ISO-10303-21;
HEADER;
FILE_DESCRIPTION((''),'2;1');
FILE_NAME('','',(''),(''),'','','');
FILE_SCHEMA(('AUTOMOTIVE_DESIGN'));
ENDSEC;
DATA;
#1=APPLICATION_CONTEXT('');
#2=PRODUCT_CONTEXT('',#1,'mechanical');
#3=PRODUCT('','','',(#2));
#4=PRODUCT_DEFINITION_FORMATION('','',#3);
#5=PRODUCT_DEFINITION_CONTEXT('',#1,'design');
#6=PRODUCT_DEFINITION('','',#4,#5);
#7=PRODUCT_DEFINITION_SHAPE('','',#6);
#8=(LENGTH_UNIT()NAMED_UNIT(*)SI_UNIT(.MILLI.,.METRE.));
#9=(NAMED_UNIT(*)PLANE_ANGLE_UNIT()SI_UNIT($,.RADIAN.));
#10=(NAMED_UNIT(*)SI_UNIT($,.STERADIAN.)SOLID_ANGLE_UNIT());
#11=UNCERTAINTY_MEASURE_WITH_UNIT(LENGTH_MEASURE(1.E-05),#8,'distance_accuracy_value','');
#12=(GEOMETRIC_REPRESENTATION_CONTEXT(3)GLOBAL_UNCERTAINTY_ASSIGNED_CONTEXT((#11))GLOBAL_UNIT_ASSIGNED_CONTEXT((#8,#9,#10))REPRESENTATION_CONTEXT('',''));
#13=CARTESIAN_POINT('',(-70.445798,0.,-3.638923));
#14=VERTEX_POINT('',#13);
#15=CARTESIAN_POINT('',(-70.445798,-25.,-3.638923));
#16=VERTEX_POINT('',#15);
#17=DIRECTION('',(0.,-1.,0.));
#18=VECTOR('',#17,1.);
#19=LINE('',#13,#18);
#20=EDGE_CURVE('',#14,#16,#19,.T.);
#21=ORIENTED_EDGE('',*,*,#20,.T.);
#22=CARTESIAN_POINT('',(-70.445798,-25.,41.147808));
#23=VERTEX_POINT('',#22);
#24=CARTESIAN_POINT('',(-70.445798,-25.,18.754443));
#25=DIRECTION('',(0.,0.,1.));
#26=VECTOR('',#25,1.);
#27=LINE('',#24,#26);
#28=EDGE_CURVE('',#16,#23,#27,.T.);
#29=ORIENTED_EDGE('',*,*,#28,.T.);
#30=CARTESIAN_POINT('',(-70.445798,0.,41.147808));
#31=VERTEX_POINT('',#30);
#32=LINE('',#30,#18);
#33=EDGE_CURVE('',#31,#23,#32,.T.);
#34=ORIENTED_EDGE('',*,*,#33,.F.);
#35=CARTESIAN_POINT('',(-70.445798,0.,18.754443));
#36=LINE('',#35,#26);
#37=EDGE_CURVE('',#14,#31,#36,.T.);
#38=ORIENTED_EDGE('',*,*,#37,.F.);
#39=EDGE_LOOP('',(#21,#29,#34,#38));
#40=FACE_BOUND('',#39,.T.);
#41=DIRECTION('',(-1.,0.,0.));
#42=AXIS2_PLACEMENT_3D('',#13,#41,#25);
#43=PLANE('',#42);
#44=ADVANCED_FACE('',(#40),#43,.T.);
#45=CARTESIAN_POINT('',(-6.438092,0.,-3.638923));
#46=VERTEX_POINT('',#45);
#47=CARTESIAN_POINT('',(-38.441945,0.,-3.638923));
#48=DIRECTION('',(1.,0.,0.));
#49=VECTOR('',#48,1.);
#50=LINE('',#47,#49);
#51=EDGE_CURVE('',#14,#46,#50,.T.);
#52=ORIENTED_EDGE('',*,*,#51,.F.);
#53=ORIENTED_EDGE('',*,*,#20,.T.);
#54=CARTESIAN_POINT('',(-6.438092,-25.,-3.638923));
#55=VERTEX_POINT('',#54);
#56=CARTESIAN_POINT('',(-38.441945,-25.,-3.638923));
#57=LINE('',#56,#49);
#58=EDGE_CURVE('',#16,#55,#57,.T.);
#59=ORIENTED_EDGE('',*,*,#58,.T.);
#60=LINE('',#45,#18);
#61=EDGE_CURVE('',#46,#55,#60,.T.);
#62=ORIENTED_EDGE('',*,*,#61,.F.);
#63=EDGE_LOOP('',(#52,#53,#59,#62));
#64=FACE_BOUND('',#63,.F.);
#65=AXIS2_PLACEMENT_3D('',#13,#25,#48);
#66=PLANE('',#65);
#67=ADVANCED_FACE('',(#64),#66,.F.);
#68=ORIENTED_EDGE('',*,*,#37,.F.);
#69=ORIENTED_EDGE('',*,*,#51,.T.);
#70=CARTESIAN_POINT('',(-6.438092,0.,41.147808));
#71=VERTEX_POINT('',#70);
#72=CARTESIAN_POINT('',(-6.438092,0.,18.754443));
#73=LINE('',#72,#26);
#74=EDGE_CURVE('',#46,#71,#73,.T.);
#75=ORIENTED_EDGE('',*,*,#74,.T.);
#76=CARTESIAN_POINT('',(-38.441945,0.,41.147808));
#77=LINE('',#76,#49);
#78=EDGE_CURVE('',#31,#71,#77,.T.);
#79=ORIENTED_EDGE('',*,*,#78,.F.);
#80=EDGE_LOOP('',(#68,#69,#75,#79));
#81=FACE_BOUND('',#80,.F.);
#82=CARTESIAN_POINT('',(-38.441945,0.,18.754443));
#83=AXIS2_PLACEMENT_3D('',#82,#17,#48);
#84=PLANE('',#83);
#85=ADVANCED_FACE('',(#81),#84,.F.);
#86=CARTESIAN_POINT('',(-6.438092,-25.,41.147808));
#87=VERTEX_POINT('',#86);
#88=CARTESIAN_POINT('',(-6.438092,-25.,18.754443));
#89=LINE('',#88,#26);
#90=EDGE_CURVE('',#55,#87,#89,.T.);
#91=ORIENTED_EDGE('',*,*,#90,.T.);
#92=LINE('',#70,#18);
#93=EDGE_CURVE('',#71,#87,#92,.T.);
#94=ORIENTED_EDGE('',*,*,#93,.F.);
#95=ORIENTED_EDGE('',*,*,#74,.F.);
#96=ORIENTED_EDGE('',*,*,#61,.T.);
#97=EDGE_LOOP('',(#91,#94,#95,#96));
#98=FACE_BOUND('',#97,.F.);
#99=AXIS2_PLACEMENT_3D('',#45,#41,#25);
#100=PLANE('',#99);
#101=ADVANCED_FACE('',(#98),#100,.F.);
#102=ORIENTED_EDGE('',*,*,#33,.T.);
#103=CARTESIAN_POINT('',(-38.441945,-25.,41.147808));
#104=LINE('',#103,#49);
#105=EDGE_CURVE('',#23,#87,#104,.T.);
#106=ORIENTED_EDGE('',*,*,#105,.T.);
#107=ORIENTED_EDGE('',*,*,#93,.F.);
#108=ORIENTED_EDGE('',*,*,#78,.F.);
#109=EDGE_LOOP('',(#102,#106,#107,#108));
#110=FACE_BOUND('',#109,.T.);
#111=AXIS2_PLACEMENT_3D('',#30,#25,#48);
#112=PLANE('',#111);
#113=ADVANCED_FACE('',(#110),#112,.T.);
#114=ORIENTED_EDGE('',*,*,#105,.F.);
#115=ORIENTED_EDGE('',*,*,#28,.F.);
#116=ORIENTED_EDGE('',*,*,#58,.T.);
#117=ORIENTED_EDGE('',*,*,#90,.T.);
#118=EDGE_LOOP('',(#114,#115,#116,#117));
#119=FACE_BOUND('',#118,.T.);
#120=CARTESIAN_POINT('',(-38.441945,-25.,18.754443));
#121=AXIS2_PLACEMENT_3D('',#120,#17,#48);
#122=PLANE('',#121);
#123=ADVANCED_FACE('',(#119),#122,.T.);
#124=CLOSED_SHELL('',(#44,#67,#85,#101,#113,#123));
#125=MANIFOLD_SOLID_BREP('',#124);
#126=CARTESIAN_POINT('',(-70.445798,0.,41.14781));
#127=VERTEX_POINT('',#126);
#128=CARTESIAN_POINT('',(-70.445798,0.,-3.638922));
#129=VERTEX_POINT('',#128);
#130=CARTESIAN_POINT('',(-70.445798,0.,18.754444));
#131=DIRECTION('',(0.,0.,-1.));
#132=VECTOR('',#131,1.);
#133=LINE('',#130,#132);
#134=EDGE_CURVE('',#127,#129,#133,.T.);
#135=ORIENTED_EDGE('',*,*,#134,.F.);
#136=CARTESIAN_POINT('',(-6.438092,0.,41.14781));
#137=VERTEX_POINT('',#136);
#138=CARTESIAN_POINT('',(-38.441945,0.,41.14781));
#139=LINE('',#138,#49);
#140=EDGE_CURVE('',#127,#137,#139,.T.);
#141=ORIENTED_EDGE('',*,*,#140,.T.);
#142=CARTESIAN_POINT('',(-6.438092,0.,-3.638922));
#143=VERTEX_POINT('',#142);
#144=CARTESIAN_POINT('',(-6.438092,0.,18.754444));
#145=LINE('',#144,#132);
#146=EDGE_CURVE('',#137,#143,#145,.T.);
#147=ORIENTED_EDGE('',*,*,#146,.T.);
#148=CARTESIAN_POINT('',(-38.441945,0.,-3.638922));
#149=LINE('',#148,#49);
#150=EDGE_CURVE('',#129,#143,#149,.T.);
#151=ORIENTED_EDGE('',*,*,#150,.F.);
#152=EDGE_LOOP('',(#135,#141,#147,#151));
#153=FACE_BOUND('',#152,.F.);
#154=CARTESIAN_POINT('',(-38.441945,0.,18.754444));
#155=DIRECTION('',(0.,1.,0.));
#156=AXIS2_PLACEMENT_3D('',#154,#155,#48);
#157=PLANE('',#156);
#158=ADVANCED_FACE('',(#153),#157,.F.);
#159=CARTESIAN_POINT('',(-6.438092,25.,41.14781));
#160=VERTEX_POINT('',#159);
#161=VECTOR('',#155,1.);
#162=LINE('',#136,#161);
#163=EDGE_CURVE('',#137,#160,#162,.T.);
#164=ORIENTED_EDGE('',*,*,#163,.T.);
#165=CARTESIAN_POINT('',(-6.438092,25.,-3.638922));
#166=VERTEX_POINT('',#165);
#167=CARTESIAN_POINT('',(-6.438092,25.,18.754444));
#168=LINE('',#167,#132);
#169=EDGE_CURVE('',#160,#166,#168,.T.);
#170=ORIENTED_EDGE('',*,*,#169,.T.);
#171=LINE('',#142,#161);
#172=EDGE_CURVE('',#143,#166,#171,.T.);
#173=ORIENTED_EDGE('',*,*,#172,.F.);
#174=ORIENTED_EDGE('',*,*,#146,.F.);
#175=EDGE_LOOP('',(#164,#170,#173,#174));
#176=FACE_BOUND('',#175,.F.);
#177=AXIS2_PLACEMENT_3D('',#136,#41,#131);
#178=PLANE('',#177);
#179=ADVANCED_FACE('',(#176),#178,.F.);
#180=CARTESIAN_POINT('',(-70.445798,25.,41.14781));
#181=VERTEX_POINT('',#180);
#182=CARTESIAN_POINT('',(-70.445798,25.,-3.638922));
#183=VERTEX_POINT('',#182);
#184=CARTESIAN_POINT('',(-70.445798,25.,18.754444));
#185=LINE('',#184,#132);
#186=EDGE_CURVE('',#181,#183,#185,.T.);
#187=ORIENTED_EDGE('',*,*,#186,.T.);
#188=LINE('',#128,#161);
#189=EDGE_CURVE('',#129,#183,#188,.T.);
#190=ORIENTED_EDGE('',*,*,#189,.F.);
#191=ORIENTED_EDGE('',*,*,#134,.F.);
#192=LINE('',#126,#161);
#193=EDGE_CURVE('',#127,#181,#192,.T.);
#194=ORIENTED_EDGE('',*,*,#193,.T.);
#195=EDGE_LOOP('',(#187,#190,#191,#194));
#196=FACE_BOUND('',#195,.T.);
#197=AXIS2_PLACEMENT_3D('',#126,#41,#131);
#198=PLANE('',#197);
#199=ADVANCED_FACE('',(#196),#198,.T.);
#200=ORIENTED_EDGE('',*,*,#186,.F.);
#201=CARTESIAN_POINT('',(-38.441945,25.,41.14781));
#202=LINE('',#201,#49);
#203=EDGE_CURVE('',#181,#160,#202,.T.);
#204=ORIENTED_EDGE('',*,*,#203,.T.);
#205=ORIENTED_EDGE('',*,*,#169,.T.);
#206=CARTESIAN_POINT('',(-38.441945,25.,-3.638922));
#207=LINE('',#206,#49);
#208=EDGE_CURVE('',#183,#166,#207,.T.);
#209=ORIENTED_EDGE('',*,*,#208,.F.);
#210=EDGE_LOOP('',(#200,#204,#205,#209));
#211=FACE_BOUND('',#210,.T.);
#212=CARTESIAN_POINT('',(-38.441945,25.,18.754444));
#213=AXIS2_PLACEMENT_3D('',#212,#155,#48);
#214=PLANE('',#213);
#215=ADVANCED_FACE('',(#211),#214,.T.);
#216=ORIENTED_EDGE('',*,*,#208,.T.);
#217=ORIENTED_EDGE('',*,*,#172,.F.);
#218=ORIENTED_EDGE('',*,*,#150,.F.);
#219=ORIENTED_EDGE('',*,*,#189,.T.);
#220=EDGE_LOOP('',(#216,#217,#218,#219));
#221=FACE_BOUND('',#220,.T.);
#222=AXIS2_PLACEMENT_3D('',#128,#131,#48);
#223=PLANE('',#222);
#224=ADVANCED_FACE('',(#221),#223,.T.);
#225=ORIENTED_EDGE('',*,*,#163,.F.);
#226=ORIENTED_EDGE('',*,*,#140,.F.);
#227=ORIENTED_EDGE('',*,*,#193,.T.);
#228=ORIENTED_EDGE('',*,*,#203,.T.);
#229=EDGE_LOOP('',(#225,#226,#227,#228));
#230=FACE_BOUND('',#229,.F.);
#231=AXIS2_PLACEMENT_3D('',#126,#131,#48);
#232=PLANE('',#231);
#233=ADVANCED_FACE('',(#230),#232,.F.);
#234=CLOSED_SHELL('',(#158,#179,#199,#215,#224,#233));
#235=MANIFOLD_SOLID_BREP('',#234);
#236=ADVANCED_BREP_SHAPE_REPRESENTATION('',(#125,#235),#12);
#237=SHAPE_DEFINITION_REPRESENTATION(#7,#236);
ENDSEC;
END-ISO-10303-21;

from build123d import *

# Parameters (mm, degrees)
F0_W      = 64.007706
F0_H      = 44.786731
F1_DEPTH  = 25
F1_FACE_W = 64.007706
F1_FACE_H = 44.786732
F2_DEPTH  = 25


with BuildPart() as f1:
    # F0 (on Front) → F1 (new body)
    with BuildSketch(Plane.XZ):
        with Locations((-38.441945, 18.754443)):
            Rectangle(F0_W, F0_H)
    extrude(amount=F1_DEPTH)


with BuildPart() as f2:
    # F1_face (on face) → F2 (new body)
    with BuildSketch(Plane(origin=(-38.441945, 0, 18.754444), x_dir=(1, 0, 0), z_dir=(0, 1, 0))):
        Rectangle(F1_FACE_W, F1_FACE_H)
    extrude(amount=F2_DEPTH)


solid = Compound([f1.part, f2.part])
